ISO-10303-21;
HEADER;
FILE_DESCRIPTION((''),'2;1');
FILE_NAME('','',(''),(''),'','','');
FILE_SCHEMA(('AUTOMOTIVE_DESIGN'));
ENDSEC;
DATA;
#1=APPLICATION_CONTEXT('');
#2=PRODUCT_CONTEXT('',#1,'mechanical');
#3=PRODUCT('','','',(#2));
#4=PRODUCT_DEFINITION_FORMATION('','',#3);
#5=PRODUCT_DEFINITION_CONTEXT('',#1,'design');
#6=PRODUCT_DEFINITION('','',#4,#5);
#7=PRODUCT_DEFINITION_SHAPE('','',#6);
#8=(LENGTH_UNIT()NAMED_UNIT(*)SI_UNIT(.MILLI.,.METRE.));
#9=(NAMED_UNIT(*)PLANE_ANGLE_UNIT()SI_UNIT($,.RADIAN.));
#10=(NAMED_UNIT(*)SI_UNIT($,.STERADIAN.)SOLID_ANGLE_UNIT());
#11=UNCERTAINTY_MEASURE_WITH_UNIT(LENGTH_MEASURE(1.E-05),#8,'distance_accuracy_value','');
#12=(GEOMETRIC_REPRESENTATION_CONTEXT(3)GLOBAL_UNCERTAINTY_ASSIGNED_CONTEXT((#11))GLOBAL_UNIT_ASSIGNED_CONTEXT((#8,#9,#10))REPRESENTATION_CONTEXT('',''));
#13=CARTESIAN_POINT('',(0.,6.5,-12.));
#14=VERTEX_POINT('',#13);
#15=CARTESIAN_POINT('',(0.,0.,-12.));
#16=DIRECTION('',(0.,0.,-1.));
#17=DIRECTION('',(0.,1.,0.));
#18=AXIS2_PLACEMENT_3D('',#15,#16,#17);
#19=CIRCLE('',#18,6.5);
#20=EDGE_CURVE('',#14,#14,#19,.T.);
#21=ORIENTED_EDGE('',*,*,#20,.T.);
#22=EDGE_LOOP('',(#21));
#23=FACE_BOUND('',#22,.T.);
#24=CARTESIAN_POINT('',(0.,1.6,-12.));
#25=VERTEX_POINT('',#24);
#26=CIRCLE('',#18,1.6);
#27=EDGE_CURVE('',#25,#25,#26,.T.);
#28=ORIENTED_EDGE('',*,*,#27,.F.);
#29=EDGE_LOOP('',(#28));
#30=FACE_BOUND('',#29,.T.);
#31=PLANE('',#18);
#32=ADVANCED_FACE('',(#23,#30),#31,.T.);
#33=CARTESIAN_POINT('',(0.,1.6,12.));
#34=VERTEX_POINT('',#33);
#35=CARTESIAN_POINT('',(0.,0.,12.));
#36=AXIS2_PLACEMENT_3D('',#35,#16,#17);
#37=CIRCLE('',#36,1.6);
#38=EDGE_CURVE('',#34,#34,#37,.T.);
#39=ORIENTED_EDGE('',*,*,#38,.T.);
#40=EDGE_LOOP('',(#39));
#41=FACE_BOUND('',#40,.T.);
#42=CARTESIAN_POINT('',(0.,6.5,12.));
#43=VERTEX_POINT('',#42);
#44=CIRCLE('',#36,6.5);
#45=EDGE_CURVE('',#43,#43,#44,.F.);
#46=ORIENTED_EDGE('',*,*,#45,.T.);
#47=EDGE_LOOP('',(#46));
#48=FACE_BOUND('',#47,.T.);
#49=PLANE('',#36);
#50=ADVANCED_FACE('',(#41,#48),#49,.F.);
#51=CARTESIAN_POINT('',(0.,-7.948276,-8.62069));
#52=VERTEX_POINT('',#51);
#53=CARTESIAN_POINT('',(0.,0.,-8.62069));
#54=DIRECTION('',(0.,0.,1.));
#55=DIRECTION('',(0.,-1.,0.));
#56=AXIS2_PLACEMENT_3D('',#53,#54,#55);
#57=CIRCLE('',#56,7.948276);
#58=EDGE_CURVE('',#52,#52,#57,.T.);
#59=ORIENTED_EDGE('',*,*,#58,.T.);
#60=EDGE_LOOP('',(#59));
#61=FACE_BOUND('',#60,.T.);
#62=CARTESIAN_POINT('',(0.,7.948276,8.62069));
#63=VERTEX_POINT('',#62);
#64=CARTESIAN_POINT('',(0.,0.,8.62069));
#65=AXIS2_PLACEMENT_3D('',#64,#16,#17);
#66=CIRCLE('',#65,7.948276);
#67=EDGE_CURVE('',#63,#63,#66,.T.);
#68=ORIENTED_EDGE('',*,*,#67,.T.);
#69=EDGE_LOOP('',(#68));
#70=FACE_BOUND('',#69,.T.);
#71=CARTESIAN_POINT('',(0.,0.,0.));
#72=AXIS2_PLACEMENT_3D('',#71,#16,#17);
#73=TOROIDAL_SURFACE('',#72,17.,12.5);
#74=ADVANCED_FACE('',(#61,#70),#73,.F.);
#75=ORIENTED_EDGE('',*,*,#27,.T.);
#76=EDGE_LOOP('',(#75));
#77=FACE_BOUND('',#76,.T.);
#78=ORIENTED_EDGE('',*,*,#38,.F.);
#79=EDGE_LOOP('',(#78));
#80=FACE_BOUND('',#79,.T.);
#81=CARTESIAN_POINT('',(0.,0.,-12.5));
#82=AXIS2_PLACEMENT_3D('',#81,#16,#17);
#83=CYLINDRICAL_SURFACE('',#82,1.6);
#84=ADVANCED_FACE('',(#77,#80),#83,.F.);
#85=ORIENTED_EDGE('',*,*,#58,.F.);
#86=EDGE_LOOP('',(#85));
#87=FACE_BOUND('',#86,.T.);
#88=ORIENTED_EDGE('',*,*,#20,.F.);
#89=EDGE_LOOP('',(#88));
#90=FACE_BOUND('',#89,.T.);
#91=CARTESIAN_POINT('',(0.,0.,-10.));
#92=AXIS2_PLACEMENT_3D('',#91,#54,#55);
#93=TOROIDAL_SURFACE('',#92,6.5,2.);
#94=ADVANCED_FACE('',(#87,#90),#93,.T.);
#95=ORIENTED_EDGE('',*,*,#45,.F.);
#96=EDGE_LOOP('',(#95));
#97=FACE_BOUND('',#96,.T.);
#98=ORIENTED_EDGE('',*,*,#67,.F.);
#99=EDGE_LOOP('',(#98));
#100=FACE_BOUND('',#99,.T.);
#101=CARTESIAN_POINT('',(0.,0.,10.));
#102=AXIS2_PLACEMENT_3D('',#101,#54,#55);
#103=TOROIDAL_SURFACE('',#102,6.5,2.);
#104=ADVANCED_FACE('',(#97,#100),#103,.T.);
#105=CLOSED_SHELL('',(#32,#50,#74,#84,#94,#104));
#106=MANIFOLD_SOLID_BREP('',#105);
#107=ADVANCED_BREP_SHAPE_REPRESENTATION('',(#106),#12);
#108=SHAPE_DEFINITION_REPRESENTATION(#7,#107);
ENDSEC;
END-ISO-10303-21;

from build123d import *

# Parameters (mm, degrees)
FILLET1_R = 2


with BuildPart() as part:
    # Sketch1 → Revolve1 (revolve)
    with BuildSketch(Plane(origin=(0, 0, 0), x_dir=(0, 0, -1), z_dir=(1, 0, 0))):
        with BuildLine():
            Line((12, 1.6), (12, 13.5))
            ThreePointArc((12, 13.5), (0, 4.5), (-12, 13.5))
            Line((-12, 13.5), (-12, 1.6))
            Line((-12, 1.6), (12, 1.6))
        make_face()
    revolve(axis=Axis((0, 0, -12.5), (0, 0, 1)))

    # Fillet1
    fillet1_edges = [part.edges().sort_by_distance(p)[0] for p in [
        (0, -13.5, 12),
        (0, -13.5, -12),
    ]]
    fillet(fillet1_edges, radius=FILLET1_R)


solid = part.part
